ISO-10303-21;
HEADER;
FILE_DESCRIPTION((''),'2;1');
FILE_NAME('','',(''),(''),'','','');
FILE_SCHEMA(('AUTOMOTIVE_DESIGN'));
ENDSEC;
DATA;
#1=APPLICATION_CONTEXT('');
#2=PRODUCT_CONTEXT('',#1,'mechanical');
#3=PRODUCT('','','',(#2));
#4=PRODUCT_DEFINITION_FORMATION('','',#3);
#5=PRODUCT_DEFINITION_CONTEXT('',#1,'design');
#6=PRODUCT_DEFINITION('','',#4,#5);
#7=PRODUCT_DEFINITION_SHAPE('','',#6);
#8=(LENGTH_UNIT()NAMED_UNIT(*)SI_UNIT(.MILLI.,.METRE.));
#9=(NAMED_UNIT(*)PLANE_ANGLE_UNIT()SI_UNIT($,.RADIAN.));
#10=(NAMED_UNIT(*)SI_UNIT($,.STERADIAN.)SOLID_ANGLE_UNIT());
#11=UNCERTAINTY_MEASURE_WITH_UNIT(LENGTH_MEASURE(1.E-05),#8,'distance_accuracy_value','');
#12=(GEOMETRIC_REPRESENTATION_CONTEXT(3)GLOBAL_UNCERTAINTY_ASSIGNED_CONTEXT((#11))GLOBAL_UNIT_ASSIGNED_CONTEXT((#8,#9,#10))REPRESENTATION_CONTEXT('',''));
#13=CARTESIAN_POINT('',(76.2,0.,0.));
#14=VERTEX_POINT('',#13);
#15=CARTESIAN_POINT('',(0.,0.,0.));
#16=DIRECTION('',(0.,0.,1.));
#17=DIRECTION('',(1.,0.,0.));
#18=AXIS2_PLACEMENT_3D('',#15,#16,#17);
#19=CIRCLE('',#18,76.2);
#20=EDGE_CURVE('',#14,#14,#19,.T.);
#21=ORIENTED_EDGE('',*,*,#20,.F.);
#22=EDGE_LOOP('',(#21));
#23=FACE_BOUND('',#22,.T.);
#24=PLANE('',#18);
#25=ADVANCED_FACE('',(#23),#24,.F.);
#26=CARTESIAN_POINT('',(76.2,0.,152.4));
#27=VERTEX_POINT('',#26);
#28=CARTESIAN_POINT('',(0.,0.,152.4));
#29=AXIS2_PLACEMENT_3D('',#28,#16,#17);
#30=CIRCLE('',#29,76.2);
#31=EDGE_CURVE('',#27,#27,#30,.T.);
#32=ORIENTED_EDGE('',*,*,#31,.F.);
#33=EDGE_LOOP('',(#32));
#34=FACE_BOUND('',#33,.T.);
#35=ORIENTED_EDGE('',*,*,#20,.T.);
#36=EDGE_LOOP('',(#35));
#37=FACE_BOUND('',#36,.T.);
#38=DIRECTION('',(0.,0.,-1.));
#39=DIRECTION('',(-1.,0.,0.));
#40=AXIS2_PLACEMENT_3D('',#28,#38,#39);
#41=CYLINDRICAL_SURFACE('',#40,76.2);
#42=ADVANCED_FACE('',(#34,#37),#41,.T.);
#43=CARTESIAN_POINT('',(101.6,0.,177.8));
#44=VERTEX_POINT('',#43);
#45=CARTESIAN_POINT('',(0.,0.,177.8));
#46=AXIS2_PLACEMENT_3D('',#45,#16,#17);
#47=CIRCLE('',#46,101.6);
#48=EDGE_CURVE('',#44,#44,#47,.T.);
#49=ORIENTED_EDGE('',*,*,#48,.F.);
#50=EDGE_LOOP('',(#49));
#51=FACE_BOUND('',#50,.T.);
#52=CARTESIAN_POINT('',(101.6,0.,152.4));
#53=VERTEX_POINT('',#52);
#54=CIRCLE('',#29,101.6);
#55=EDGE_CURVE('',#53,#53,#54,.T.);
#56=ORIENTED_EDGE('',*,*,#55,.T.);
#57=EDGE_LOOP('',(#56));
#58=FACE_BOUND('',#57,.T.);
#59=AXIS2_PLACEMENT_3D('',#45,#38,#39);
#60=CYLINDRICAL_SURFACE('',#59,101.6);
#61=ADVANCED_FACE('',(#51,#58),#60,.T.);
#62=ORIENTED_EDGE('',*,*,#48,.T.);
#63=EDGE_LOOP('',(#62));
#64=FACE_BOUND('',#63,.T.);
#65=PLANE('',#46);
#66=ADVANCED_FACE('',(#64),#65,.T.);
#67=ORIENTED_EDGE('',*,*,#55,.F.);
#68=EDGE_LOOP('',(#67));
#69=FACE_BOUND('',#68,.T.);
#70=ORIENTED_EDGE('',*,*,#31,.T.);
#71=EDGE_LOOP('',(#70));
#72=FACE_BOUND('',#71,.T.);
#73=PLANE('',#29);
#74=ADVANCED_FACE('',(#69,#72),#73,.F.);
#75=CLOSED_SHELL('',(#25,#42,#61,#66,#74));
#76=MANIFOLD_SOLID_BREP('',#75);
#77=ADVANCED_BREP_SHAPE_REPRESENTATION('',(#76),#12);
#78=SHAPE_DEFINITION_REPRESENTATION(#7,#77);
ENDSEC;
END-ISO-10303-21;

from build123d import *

# Parameters (mm, degrees)
SKETCH1_R           = 76.2
BOSS_EXTRUDE1_DEPTH = 152.4
SKETCH2_R           = 101.6
BOSS_EXTRUDE2_DEPTH = 25.4


with BuildPart() as part:
    # Sketch1 → Boss-Extrude1 (new body)
    with BuildSketch(Plane.XY):
        Circle(SKETCH1_R)
    extrude(amount=BOSS_EXTRUDE1_DEPTH)

    # Sketch2 → Boss-Extrude2 (add)
    with BuildSketch(Plane.XY.offset(152.4)):
        Circle(SKETCH2_R)
    extrude(amount=BOSS_EXTRUDE2_DEPTH)


solid = part.part
